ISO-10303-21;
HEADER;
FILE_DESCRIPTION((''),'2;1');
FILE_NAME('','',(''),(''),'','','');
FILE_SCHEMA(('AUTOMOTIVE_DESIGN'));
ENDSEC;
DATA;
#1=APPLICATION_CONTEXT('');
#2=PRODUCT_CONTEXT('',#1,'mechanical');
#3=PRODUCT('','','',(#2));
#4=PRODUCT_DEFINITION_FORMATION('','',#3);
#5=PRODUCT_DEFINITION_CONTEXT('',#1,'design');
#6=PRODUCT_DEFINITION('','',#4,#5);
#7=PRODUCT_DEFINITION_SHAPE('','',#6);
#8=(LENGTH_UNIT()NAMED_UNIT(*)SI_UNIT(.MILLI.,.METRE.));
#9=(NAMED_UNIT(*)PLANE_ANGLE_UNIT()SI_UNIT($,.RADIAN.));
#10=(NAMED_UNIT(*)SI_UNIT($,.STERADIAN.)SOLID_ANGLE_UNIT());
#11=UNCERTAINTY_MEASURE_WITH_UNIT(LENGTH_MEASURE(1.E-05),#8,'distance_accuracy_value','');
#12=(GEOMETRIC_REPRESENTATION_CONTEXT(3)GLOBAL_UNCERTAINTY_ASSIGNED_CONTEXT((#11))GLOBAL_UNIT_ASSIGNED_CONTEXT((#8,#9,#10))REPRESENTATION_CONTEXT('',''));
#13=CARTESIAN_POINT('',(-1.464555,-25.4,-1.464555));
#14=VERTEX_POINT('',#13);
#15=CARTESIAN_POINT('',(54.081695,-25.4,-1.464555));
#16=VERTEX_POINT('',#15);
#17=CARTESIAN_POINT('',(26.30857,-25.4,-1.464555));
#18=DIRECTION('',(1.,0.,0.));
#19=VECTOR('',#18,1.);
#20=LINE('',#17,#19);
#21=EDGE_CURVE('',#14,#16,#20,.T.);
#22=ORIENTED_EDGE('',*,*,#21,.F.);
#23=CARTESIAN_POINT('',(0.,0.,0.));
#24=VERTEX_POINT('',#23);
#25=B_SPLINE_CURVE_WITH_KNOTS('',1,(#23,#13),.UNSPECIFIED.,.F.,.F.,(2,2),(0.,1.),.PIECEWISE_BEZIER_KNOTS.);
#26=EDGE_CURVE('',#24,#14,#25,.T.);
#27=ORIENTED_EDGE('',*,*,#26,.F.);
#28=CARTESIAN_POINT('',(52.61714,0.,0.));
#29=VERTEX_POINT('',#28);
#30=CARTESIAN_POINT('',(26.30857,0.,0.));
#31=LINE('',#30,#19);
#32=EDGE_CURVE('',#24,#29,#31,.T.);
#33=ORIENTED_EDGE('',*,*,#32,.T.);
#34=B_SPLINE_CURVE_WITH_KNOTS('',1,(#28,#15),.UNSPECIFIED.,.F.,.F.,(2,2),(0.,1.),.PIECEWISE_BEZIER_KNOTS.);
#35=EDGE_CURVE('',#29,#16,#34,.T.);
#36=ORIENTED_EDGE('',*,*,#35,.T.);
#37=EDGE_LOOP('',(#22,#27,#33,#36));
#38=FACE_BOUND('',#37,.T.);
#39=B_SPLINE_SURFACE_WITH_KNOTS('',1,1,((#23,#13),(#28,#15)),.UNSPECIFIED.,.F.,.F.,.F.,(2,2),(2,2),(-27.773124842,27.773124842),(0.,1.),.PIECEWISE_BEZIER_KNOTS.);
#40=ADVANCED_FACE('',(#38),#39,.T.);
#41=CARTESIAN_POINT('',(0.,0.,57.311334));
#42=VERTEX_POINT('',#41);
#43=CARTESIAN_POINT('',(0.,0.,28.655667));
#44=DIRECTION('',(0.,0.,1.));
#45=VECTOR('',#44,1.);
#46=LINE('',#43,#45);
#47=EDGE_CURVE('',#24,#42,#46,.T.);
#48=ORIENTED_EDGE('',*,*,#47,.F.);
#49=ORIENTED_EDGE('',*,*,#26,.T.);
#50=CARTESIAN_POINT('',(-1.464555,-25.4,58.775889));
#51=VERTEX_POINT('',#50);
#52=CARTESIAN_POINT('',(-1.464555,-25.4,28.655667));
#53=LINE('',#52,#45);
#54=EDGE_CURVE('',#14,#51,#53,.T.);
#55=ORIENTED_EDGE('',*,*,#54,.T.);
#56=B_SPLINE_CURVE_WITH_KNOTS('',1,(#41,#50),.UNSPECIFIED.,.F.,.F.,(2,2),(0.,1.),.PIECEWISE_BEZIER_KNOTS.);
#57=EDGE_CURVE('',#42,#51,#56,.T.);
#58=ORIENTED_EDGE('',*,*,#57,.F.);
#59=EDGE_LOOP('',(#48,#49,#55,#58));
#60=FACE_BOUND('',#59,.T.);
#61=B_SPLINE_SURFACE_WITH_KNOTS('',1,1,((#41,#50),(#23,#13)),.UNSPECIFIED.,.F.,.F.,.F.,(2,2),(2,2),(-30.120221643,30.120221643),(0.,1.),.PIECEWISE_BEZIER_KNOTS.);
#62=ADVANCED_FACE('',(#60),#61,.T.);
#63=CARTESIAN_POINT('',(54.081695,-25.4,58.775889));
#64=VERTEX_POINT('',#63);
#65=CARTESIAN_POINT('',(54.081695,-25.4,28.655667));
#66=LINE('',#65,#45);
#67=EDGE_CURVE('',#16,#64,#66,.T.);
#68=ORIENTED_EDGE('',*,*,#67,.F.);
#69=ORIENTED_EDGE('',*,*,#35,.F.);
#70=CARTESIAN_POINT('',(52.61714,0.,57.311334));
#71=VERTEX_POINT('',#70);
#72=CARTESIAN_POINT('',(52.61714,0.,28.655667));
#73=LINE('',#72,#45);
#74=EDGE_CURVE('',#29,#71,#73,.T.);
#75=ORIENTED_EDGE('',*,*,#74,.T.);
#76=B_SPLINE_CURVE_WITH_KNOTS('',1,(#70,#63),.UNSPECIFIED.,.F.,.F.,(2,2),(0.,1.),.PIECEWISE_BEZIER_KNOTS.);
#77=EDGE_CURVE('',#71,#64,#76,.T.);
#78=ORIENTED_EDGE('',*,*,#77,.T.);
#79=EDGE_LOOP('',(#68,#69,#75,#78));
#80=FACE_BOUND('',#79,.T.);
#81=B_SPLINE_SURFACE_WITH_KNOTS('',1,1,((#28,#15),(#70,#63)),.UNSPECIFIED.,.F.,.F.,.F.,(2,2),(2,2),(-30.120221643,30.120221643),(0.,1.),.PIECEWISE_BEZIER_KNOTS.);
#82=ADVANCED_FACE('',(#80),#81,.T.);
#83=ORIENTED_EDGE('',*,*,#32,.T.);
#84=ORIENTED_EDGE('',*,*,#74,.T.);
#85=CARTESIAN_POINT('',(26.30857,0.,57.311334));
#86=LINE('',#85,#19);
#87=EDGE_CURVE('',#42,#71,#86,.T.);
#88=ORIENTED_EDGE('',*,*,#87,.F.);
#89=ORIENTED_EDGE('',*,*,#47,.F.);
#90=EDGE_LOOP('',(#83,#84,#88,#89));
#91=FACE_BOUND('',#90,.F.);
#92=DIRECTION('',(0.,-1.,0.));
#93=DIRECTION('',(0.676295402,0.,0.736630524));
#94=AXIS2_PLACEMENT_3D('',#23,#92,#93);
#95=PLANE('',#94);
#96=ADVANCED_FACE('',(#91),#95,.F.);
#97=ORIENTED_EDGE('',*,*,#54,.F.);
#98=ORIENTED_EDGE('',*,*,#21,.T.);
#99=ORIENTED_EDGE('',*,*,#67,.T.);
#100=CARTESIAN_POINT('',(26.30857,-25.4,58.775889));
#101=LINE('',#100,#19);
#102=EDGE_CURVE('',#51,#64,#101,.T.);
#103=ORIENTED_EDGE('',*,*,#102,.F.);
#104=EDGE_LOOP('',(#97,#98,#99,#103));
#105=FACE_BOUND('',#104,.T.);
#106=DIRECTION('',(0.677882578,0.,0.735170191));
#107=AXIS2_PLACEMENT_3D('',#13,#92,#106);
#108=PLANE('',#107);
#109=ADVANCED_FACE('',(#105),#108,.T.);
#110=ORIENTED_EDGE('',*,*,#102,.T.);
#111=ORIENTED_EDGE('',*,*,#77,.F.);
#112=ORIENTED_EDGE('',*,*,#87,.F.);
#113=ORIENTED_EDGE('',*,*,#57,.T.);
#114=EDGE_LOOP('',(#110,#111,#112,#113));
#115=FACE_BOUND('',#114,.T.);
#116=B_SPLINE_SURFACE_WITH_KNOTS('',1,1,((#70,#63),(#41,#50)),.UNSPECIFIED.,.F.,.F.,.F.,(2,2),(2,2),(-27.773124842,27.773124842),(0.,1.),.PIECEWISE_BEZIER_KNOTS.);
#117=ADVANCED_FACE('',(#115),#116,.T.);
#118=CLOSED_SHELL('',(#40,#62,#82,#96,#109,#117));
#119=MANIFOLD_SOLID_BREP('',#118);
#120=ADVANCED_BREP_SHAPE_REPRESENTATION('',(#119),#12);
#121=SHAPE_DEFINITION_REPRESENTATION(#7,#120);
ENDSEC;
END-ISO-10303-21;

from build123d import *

# Parameters (mm, degrees)
F0_W     = 52.6171401143
F0_H     = 57.3113337159
F1_DEPTH = 25.4
F1_TAPER = -3.3


with BuildPart() as f1:
    # F0 (on Front) → F1 (new body)
    with BuildSketch(Plane.XZ):
        with Locations((26.3085700572, 28.655666858)):
            Rectangle(F0_W, F0_H)
    extrude(amount=F1_DEPTH, taper=F1_TAPER)


solid = f1.part
